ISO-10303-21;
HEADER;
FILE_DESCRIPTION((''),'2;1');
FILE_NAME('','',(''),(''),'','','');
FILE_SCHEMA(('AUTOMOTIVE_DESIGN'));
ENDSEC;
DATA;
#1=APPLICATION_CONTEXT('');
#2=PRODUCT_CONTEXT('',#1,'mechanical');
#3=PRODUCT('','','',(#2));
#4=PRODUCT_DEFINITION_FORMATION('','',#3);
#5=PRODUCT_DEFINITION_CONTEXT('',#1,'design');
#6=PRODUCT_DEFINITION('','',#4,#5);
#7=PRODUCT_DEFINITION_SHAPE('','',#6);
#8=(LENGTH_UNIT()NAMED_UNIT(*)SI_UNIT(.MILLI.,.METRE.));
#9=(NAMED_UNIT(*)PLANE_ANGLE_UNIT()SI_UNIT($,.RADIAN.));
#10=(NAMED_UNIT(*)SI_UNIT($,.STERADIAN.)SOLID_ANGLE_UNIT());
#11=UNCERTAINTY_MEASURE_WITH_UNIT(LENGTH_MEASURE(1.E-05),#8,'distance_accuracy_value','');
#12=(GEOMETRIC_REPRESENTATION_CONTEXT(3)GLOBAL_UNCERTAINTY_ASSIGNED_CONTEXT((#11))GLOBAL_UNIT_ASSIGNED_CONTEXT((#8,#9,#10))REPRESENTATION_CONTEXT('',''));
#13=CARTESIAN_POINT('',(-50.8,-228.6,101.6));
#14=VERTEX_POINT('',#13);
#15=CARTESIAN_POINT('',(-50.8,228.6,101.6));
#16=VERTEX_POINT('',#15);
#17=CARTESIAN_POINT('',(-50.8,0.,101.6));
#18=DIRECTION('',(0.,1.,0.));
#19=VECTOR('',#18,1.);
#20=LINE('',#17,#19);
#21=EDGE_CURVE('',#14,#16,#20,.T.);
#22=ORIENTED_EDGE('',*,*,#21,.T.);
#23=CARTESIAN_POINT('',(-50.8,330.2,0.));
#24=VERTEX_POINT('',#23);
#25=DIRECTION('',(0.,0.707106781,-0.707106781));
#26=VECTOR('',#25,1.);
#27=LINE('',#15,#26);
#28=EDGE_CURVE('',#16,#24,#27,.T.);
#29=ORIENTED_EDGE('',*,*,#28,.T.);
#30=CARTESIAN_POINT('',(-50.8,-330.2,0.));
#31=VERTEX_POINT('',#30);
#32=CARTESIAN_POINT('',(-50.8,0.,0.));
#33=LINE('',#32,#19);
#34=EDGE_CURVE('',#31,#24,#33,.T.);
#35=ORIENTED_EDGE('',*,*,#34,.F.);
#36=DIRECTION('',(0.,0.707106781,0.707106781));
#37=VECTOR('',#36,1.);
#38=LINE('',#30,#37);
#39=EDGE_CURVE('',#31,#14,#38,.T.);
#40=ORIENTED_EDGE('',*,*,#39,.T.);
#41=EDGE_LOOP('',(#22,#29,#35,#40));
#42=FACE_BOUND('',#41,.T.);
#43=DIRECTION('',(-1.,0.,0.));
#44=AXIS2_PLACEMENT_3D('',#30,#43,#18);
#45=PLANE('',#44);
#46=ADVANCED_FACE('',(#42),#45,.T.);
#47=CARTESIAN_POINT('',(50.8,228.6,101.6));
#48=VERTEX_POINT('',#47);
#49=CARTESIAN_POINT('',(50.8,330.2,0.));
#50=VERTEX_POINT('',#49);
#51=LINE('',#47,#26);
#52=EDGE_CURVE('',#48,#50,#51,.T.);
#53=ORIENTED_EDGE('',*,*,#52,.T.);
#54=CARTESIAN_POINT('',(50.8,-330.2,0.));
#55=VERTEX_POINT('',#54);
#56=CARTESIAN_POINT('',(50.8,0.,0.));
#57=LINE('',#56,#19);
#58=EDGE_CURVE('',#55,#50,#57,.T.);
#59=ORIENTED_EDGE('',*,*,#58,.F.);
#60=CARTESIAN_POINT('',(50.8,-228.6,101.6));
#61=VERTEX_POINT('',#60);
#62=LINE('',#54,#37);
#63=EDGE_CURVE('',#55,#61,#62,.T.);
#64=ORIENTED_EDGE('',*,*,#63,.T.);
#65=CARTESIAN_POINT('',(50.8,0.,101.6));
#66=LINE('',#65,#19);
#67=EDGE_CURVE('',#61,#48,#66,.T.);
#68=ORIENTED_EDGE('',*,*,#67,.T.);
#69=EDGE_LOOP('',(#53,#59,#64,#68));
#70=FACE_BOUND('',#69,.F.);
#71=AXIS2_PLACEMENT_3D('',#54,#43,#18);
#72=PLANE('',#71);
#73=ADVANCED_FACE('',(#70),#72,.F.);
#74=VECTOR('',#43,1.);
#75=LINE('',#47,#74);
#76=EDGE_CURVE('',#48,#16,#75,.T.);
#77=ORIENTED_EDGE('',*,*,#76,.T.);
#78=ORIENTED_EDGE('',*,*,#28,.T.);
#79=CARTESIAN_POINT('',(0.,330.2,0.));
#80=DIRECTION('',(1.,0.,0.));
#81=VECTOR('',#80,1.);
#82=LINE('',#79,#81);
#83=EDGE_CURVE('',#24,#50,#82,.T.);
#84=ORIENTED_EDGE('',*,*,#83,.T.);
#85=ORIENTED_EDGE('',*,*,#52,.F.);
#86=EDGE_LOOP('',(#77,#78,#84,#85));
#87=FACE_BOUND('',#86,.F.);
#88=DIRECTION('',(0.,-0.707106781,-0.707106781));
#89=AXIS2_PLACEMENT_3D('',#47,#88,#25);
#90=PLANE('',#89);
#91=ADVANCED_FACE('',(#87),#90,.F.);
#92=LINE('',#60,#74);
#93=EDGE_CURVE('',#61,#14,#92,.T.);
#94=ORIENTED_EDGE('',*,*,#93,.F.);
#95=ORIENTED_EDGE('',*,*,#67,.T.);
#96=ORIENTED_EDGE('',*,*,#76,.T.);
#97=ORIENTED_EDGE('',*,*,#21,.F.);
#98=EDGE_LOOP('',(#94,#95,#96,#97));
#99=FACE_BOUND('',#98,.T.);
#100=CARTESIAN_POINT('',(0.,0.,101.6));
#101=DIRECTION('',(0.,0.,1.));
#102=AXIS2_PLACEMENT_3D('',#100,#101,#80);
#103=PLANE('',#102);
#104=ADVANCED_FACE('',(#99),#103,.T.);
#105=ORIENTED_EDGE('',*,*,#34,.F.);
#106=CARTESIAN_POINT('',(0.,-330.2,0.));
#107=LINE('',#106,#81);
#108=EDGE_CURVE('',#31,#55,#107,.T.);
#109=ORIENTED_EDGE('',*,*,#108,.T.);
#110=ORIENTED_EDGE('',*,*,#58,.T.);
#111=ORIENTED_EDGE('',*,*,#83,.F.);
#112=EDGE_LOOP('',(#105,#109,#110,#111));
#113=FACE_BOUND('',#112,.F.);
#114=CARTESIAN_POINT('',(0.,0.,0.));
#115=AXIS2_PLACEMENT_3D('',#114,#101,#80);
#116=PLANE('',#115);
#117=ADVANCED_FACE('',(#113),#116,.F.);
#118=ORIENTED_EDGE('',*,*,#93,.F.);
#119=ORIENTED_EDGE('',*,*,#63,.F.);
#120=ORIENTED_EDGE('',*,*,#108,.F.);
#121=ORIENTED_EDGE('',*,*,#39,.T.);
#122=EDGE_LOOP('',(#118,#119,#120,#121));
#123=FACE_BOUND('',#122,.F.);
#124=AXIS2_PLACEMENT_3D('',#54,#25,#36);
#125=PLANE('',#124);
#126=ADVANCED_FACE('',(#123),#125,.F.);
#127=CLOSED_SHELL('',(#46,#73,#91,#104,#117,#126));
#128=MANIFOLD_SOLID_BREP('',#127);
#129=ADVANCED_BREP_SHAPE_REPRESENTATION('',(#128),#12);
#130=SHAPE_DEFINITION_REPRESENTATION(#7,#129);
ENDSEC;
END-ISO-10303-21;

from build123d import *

# Parameters (mm, degrees)
F0_W     = 101.6
F0_H     = 660.4
F1_DEPTH = 101.6
F3_DEPTH = 101.6


with BuildPart() as f1:
    # F0 (on Top) → F1 (new body)
    with BuildSketch(Plane.XY):
        Rectangle(F0_W, F0_H)
    extrude(amount=F1_DEPTH)

    # F2 (on face) → F3 (cut)
    with BuildSketch(Plane.YZ.offset(50.8)):
        Polygon((-330.2, 101.6), (-330.2, 0), (-228.6, 101.6), align=None)
        Polygon((228.6, 101.6), (330.2, 0), (330.2, 101.6), align=None)
    extrude(amount=-F3_DEPTH, mode=Mode.SUBTRACT)


solid = f1.part
